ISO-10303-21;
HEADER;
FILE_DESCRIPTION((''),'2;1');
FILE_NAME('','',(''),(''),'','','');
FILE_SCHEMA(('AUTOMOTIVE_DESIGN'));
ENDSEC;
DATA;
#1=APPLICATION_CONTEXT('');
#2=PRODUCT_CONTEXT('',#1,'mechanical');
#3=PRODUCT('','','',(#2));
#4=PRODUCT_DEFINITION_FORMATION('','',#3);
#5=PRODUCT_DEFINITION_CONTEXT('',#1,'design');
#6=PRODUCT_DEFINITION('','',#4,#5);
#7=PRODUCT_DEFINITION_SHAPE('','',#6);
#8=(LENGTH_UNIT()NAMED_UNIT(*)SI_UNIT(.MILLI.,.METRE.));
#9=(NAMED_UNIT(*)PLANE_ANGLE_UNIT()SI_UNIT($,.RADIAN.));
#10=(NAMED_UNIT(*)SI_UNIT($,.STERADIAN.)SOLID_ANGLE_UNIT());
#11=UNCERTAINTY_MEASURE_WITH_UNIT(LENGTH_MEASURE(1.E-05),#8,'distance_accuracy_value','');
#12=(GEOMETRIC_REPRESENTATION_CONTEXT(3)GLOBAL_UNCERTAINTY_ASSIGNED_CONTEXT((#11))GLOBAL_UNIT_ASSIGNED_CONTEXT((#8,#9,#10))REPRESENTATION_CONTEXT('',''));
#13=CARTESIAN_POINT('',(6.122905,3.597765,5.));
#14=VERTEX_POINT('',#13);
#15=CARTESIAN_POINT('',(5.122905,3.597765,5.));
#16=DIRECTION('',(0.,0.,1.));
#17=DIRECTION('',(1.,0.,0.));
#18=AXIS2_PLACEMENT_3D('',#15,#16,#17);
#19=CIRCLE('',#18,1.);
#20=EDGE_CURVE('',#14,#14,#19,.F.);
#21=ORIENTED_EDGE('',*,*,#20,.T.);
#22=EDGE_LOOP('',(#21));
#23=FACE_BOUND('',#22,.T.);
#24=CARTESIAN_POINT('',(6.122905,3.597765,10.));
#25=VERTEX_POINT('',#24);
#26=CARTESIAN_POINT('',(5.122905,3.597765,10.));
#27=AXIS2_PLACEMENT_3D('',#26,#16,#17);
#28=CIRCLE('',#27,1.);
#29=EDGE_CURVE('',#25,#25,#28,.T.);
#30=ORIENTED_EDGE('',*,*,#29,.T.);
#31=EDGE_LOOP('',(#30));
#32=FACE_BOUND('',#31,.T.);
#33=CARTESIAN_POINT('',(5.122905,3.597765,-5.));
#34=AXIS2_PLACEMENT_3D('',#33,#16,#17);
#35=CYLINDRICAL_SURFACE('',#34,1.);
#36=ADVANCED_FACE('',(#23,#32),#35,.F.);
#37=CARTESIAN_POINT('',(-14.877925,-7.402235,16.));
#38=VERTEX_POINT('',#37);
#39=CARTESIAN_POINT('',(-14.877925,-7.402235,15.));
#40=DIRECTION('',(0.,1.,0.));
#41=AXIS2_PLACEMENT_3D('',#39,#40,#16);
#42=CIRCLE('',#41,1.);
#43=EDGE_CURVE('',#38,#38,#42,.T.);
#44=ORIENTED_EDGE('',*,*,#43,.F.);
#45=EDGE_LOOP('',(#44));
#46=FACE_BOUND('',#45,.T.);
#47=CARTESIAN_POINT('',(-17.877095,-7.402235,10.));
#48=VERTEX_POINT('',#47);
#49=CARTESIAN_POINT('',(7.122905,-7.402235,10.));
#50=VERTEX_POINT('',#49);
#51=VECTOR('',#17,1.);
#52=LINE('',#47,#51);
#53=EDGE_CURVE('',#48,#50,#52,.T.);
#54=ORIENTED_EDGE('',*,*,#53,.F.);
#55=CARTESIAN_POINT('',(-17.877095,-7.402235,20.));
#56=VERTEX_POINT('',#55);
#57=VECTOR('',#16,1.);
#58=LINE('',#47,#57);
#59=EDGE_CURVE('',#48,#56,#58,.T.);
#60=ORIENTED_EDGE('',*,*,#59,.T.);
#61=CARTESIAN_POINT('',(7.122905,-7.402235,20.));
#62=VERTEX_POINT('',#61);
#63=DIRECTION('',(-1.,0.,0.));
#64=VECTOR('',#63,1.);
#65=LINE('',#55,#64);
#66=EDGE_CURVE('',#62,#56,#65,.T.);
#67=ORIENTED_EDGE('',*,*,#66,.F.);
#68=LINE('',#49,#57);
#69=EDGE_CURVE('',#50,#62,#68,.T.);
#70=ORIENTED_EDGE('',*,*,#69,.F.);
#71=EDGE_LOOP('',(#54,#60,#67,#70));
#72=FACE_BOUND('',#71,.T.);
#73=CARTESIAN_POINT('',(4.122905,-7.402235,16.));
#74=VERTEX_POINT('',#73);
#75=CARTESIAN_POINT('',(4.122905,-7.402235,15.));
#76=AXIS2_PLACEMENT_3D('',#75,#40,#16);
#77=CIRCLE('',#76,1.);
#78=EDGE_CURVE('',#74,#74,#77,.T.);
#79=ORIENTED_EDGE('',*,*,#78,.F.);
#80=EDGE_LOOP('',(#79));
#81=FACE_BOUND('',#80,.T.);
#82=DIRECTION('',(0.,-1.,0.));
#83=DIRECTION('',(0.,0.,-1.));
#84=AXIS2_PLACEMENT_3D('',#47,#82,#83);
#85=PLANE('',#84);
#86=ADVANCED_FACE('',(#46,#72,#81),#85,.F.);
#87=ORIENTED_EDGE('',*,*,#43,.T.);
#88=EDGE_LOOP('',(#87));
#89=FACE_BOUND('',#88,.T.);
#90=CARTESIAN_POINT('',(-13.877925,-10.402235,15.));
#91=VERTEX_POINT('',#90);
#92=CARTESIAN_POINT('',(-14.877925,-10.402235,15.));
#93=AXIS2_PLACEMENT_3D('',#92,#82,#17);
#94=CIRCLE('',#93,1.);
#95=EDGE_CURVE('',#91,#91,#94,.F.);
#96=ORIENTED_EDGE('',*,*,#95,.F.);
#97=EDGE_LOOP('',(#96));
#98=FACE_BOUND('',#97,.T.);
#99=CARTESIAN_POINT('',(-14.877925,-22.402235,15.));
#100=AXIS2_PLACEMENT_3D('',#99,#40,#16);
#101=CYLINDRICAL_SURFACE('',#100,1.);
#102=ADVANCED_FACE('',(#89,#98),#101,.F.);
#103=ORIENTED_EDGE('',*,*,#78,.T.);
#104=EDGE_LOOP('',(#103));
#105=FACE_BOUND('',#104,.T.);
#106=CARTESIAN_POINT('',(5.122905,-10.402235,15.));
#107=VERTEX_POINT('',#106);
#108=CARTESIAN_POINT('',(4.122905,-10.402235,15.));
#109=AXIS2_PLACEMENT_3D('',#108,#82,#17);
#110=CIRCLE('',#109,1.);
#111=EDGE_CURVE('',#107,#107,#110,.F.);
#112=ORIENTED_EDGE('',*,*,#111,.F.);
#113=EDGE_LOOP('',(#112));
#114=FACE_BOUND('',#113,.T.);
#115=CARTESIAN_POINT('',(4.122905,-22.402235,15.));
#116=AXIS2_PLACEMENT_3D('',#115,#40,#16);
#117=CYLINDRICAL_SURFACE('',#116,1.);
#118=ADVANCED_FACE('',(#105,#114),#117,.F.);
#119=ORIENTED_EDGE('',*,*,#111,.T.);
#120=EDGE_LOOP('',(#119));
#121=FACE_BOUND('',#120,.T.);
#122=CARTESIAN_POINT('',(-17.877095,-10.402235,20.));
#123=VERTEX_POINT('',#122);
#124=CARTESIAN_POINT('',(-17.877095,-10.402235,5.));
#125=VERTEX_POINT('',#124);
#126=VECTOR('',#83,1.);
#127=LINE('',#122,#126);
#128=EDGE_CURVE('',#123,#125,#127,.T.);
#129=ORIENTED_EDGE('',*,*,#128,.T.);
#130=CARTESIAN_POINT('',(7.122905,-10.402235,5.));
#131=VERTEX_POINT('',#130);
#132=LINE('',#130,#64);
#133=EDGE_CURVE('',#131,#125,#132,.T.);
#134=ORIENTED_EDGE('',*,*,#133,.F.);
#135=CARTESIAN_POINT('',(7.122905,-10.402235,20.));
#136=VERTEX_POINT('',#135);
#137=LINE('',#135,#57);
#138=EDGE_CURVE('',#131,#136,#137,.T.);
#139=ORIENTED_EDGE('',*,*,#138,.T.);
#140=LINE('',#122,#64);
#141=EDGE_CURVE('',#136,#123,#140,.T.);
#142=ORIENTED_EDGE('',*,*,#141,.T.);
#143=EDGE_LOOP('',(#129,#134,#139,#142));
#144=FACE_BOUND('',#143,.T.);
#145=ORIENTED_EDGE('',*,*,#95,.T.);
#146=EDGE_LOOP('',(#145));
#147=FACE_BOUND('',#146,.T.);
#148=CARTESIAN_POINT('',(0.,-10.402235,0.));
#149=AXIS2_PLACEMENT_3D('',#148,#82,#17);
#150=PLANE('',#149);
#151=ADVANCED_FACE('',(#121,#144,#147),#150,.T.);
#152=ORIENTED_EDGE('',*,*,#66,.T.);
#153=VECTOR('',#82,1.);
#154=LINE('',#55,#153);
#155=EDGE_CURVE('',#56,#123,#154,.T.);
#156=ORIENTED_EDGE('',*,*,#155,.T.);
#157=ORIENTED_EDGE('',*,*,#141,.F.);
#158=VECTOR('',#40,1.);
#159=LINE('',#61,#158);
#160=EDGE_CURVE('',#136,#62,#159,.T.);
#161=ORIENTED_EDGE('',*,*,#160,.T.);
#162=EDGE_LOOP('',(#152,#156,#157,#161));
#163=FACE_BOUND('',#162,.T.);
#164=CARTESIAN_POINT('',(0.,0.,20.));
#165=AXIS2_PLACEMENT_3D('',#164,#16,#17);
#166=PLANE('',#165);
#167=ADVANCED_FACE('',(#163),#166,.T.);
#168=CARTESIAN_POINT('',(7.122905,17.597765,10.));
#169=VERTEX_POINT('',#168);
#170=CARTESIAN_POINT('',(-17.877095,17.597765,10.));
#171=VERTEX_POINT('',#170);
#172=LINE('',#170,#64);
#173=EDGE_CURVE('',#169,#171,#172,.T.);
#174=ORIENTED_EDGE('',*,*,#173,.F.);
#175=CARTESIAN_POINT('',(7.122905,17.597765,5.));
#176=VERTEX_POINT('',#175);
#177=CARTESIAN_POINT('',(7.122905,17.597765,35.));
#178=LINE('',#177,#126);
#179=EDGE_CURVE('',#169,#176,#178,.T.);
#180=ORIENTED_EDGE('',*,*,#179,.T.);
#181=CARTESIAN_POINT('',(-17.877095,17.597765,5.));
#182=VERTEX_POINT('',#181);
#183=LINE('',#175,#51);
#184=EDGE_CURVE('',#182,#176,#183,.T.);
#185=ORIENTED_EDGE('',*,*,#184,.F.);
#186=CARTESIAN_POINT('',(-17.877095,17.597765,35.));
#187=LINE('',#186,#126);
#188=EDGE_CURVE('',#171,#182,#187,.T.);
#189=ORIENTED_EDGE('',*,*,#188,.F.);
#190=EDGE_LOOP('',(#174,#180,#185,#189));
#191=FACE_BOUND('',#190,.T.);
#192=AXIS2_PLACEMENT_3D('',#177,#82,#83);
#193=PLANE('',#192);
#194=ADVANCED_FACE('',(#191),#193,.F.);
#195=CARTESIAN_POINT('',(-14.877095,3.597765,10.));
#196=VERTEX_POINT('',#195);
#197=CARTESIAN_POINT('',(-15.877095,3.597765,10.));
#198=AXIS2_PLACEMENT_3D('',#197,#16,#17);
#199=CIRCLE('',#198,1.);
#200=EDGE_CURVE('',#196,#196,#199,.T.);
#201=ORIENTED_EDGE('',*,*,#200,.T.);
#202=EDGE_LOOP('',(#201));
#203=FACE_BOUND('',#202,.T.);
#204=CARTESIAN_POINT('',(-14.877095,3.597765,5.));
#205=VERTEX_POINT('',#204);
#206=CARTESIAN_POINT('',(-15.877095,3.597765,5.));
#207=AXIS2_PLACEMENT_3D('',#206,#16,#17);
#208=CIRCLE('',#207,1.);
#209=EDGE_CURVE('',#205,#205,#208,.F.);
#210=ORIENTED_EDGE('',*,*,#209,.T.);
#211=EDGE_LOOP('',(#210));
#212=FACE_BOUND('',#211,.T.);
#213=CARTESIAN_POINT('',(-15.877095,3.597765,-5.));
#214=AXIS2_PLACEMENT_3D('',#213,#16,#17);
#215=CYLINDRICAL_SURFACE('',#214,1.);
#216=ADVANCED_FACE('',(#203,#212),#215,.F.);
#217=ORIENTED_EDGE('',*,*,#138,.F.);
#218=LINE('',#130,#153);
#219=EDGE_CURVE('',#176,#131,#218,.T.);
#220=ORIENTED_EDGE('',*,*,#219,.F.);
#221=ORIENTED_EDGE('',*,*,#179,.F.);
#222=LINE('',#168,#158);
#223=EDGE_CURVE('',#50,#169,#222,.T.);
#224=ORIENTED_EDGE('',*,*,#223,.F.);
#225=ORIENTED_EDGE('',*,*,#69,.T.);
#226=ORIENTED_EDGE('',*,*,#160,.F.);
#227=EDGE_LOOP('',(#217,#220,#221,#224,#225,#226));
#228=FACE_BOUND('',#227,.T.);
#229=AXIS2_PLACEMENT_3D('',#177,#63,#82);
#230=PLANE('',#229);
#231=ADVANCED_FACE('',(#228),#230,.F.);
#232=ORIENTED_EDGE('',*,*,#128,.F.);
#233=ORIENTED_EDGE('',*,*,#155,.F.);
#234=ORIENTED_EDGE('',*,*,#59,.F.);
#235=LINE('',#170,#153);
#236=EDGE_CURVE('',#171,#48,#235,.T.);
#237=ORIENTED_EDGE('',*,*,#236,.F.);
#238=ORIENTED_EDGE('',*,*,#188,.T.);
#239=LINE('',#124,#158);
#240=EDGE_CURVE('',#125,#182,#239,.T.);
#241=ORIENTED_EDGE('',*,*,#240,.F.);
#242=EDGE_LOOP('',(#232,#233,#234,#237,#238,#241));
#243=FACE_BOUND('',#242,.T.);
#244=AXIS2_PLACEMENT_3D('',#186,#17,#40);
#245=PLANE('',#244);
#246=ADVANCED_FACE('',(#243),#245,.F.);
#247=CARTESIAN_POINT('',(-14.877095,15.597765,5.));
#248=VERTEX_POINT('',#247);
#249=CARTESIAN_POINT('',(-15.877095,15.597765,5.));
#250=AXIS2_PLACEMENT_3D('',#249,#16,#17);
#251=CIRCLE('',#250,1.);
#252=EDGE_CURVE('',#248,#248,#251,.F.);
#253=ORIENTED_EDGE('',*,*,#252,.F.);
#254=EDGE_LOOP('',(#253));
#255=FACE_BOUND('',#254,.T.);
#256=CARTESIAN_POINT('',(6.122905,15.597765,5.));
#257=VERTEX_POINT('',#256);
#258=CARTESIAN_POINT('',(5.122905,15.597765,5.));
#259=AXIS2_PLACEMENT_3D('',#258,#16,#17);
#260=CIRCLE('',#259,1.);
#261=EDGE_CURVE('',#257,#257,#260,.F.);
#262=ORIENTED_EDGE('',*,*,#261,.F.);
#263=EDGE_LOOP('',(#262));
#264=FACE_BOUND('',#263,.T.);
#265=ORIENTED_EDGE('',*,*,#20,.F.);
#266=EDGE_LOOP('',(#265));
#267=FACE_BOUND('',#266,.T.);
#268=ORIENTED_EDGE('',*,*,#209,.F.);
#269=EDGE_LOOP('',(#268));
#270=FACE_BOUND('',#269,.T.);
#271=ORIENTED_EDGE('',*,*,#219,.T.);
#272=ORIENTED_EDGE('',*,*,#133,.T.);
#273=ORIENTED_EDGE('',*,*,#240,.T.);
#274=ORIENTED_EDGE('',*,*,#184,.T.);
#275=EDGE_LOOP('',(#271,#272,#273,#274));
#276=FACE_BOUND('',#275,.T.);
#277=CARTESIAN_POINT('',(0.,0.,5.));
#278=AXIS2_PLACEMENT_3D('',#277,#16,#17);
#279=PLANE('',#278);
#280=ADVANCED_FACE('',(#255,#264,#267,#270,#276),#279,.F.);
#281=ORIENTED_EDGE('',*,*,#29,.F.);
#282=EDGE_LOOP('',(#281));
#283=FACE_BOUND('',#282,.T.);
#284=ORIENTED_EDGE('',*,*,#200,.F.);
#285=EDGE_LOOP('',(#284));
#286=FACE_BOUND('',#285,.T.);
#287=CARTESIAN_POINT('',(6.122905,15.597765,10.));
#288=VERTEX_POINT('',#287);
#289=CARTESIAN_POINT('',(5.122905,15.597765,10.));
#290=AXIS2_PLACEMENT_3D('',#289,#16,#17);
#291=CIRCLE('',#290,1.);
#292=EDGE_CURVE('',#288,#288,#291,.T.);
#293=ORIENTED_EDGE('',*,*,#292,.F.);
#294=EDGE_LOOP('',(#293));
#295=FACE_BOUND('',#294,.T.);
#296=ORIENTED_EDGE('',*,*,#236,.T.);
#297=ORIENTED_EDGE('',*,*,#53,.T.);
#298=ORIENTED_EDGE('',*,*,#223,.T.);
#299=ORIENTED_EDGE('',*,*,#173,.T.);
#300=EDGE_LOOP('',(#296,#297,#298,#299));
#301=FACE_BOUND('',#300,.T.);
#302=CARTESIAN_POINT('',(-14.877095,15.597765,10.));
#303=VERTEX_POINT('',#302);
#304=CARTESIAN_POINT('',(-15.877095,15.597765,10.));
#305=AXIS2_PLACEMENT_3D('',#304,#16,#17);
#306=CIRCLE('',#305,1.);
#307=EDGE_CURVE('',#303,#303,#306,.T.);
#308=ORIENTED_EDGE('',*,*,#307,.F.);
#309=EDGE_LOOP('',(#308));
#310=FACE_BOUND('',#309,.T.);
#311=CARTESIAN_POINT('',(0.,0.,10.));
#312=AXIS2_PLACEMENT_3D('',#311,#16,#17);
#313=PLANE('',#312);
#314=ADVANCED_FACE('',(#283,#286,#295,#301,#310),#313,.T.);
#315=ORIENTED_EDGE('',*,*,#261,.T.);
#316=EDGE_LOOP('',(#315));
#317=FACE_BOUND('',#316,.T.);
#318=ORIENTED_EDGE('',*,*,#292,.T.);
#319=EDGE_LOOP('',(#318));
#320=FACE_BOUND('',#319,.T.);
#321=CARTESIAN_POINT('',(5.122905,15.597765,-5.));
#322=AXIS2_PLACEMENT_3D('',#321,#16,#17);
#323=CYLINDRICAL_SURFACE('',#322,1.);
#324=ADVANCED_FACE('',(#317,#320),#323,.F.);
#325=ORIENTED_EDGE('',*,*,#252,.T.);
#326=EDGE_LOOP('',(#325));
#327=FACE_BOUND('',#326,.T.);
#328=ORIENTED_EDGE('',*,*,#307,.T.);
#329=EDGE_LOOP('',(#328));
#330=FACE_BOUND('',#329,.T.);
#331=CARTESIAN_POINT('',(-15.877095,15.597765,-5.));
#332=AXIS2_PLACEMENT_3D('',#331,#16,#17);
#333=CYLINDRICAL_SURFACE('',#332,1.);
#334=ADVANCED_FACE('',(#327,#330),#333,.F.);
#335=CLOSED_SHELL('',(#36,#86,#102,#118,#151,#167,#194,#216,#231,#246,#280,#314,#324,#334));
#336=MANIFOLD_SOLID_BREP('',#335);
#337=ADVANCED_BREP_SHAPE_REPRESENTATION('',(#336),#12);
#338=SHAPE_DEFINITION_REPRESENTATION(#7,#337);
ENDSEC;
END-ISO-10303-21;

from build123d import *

# Parameters (mm, degrees)
SKETCH2_W           = 25
SKETCH2_H           = 35
BOSS_EXTRUDE2_DEPTH = 35
SKETCH3_W           = 25
SKETCH3_H           = 25
CUT_EXTRUDE1_DEPTH  = 25
SKETCH5_W           = 25
SKETCH5_H           = 10
CUT_EXTRUDE2_DEPTH  = 15
SKETCH6_R           = 1
CUT_EXTRUDE3_DEPTH  = 15
SKETCH7_W           = 25
SKETCH7_H           = 20
CUT_EXTRUDE4_DEPTH  = 7
SKETCH9_R           = 1
CUT_EXTRUDE6_DEPTH  = 15
SKETCH10_W          = 25
SKETCH10_H          = 28
CUT_EXTRUDE7_DEPTH  = 5


with BuildPart() as part:
    # Sketch2 → Boss-Extrude2 (new body)
    with BuildSketch(Plane.XY):
        with Locations((-5.377094972, 0.097765363)):
            Rectangle(SKETCH2_W, SKETCH2_H)
    extrude(amount=BOSS_EXTRUDE2_DEPTH)

    # Sketch3 → Cut-Extrude1 (cut)
    with BuildSketch(Plane.XY.offset(35)):
        with Locations((-5.377094972, 5.097765363)):
            Rectangle(SKETCH3_W, SKETCH3_H)
    extrude(amount=-CUT_EXTRUDE1_DEPTH, mode=Mode.SUBTRACT)

    # Sketch5 → Cut-Extrude2 (cut)
    with BuildSketch(Plane.XY.offset(35)):
        with Locations((-5.377094972, -12.402234637)):
            Rectangle(SKETCH5_W, SKETCH5_H)
    extrude(amount=-CUT_EXTRUDE2_DEPTH, mode=Mode.SUBTRACT)

    # Sketch6 → Cut-Extrude3 (cut)
    with BuildSketch(Plane(origin=(0, -7.402234637, 0), x_dir=(1, 0, 0), z_dir=(0, 1, 0))):
        with Locations((-14.877924678, -15)):
            Circle(SKETCH6_R)
        with Locations((4.122905028, -15)):
            Circle(SKETCH6_R)
    extrude(amount=-CUT_EXTRUDE3_DEPTH, mode=Mode.SUBTRACT)

    # Sketch7 → Cut-Extrude4 (cut)
    with BuildSketch(Plane.XZ.offset(17.402234637)):
        with Locations((-5.377094972, 10)):
            Rectangle(SKETCH7_W, SKETCH7_H)
    extrude(amount=-CUT_EXTRUDE4_DEPTH, mode=Mode.SUBTRACT)

    # Sketch9 → Cut-Extrude6 (cut)
    with BuildSketch(Plane.XY.offset(10)):
        with Locations((-15.877094972, 15.597765363)):
            Circle(SKETCH9_R)
        with Locations((5.122905028, 15.597765363)):
            Circle(SKETCH9_R)
        with Locations((-15.877094972, 3.597765363)):
            Circle(SKETCH9_R)
        with Locations((5.122905028, 3.597765363)):
            Circle(SKETCH9_R)
    extrude(amount=-CUT_EXTRUDE6_DEPTH, mode=Mode.SUBTRACT)

    # Sketch10 → Cut-Extrude7 (cut)
    with BuildSketch(Plane(origin=(0, 0, 0), x_dir=(-1, 0, 0), z_dir=(0, 0, -1))):
        with Locations((5.377094972, 3.597765363)):
            Rectangle(SKETCH10_W, SKETCH10_H)
    extrude(amount=-CUT_EXTRUDE7_DEPTH, mode=Mode.SUBTRACT)


solid = part.part
